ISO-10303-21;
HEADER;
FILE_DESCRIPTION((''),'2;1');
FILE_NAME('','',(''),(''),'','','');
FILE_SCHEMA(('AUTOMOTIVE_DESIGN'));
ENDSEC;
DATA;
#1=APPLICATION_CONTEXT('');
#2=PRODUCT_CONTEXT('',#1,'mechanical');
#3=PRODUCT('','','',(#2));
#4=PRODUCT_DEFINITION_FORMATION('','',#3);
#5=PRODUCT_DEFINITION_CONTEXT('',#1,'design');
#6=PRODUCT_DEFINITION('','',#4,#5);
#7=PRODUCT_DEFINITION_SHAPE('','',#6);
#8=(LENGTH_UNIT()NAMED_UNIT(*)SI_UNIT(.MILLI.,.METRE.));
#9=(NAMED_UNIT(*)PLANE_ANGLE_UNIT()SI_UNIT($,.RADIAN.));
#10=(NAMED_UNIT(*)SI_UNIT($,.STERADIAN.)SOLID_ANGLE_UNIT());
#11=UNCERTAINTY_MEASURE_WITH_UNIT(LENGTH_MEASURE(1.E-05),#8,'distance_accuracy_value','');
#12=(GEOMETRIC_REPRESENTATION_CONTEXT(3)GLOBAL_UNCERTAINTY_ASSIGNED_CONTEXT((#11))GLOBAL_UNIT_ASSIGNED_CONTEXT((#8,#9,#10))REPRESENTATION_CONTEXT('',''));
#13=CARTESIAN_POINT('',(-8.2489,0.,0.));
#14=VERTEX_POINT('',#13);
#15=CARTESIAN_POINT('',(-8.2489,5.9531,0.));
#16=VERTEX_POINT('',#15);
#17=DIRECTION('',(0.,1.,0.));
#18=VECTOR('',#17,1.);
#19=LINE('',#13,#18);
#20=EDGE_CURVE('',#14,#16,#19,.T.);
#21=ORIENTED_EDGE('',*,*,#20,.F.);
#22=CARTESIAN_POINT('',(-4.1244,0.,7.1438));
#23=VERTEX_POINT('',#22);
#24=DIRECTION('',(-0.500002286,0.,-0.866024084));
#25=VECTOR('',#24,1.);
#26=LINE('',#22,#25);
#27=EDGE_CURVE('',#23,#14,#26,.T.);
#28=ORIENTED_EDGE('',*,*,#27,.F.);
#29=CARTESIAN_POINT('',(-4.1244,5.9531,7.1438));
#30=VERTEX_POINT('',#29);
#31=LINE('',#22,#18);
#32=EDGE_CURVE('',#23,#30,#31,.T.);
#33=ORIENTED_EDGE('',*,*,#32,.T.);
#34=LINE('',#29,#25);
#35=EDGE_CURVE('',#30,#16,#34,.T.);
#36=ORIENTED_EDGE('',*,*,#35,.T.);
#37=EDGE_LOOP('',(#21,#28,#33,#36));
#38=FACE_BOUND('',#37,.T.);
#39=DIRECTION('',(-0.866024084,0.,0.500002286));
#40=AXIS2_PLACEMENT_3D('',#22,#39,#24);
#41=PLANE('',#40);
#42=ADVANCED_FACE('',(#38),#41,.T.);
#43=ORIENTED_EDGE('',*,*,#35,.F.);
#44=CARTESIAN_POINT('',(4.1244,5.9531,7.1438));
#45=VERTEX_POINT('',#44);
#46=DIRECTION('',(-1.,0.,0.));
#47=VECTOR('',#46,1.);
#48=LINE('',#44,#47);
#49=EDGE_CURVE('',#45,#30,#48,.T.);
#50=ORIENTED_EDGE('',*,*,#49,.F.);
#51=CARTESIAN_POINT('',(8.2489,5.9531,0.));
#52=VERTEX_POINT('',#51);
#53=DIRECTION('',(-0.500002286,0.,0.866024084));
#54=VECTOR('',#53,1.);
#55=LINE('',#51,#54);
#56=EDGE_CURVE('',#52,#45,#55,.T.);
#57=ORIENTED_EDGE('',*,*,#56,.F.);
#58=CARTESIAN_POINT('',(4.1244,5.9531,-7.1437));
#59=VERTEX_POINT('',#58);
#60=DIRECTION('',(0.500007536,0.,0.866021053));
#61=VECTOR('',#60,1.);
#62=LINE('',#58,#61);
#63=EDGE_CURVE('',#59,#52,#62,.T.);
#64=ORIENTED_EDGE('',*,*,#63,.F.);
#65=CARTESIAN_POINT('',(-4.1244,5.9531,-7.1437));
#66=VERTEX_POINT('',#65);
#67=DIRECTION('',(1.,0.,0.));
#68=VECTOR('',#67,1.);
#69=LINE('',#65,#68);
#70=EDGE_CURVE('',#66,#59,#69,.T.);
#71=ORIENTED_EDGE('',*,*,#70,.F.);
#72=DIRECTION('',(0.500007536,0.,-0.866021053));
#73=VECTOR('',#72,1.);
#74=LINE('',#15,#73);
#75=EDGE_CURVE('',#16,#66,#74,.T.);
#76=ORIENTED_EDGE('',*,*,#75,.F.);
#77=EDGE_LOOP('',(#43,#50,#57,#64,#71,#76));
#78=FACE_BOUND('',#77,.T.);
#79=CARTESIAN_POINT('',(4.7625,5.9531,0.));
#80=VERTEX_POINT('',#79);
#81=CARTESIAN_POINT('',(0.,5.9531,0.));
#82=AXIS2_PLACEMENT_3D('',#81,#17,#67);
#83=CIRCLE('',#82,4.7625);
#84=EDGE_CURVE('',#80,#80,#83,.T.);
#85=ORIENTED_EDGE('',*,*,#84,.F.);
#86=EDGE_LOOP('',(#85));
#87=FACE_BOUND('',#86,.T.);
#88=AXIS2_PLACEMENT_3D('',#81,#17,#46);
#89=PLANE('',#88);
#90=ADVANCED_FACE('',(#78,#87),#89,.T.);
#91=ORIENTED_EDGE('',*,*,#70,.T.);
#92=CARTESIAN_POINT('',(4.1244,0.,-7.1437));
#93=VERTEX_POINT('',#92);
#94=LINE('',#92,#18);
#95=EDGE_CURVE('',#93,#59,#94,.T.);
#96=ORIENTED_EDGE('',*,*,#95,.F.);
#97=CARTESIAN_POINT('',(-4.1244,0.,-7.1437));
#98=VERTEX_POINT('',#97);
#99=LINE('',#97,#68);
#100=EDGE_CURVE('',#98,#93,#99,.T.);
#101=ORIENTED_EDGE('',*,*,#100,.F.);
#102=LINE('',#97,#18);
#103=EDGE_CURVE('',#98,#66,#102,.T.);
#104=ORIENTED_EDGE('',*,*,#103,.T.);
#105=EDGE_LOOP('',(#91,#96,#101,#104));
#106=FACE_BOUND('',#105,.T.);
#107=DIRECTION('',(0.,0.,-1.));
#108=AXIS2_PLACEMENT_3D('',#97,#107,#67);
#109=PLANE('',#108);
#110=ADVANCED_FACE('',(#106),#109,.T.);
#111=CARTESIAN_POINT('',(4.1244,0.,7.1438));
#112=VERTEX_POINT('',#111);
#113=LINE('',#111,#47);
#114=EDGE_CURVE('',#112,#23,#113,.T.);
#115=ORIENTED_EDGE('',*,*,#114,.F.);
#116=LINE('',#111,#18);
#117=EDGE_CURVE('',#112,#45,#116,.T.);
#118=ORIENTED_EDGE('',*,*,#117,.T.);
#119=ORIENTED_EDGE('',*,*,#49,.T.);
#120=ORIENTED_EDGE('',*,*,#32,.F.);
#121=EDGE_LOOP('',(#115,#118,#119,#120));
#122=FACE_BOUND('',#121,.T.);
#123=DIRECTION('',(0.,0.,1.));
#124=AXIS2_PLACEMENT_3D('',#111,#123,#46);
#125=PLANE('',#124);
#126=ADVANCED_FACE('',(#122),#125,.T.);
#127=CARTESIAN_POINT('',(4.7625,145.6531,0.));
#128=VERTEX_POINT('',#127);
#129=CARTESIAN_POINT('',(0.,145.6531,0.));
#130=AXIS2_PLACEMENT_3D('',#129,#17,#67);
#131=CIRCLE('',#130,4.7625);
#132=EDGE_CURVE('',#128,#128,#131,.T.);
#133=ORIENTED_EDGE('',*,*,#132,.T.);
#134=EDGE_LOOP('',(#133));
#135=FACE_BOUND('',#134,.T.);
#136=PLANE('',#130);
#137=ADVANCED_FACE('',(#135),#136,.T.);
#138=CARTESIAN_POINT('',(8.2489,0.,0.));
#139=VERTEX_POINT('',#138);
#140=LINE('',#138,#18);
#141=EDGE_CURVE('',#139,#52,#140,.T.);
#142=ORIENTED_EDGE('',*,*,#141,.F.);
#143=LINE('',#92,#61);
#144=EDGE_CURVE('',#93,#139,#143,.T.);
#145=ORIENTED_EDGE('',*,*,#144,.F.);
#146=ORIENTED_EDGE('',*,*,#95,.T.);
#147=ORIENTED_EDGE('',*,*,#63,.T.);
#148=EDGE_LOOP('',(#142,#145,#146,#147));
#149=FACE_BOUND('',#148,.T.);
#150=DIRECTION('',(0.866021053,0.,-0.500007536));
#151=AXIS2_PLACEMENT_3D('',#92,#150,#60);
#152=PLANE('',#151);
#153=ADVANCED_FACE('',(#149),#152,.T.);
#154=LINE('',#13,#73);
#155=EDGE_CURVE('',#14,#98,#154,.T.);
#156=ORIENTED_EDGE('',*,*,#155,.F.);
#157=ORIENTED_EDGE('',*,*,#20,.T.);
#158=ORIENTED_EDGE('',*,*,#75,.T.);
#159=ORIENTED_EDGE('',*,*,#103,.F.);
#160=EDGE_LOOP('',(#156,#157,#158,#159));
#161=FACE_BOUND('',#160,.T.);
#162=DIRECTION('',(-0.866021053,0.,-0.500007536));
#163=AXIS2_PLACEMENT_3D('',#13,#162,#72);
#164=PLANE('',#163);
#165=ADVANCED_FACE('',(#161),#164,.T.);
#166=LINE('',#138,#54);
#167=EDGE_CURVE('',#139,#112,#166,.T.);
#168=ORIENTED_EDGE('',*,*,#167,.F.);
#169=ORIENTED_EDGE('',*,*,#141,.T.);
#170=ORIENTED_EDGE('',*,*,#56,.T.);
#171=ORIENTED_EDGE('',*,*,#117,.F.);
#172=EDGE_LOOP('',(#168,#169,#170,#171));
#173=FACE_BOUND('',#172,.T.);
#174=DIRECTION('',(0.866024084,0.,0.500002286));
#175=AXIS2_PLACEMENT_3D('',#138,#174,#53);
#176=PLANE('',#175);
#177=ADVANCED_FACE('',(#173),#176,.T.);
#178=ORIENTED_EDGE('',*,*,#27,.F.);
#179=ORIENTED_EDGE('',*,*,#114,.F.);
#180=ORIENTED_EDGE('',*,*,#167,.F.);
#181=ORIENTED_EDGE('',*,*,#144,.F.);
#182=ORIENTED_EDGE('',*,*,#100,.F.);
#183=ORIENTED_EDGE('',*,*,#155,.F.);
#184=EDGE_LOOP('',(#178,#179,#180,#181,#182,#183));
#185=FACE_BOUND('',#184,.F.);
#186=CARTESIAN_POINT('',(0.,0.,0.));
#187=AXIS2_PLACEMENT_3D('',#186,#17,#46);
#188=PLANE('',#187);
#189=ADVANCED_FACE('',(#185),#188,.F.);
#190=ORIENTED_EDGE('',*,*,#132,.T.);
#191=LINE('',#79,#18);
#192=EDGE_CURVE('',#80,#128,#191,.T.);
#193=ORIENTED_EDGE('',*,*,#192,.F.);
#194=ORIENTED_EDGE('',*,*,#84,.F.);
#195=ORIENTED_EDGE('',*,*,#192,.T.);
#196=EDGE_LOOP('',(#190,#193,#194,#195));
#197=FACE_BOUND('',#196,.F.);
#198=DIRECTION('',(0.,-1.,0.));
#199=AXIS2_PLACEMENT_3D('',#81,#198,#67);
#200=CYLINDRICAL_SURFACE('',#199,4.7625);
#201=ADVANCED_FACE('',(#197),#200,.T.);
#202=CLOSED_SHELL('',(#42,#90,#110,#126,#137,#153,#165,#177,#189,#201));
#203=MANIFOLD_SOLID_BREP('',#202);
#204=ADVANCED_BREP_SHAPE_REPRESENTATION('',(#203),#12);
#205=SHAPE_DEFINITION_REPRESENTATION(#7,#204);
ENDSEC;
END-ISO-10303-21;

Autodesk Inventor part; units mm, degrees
ref_plane "YZ Plane" through (0, 0, 0) normal (1, 0, 0) x (0, 1, 0)
ref_plane "XZ Plane" through (0, 0, 0) normal (0, 1, 0) x (-1, 0, 0)
ref_plane "XY Plane" through (0, 0, 0) normal (0, 0, 1) x (1, 0, 0)
sketch "Sketch1" plane through (0, 0, 0) normal (0, 1, 0) x (-1, 0, 0)
  line L0 (-4.1244, -7.1437) -> (-8.2489, 0)
  line L1 (-8.2489, 0) -> (-4.1244, 7.1438)
  line L2 (-4.1244, 7.1438) -> (4.1244, 7.1438)
  line L3 (4.1244, 7.1438) -> (8.2489, 0)
  line L4 (8.2489, 0) -> (4.1244, -7.1437)
  line L5 (4.1244, -7.1437) -> (-4.1244, -7.1437)
  point P0 (0, 0)
  point P1 (0, 0)
  dimension "d0" = 14.2875
extrude "Extrusion1" add sketch "Sketch1" along normal blind 5.9531
sketch "Sketch2" plane through (0, 5.9531, 0) normal (0, 1, 0) x (1, 0, 0)
  circle A0 centre (0, 0) radius 4.7625
  dimension "d3" = 9.525
extrude "Extrusion2" add sketch "Sketch2" along normal blind 139.7
properties part number "half-inch hex bolt" material "Steel, Cast"
